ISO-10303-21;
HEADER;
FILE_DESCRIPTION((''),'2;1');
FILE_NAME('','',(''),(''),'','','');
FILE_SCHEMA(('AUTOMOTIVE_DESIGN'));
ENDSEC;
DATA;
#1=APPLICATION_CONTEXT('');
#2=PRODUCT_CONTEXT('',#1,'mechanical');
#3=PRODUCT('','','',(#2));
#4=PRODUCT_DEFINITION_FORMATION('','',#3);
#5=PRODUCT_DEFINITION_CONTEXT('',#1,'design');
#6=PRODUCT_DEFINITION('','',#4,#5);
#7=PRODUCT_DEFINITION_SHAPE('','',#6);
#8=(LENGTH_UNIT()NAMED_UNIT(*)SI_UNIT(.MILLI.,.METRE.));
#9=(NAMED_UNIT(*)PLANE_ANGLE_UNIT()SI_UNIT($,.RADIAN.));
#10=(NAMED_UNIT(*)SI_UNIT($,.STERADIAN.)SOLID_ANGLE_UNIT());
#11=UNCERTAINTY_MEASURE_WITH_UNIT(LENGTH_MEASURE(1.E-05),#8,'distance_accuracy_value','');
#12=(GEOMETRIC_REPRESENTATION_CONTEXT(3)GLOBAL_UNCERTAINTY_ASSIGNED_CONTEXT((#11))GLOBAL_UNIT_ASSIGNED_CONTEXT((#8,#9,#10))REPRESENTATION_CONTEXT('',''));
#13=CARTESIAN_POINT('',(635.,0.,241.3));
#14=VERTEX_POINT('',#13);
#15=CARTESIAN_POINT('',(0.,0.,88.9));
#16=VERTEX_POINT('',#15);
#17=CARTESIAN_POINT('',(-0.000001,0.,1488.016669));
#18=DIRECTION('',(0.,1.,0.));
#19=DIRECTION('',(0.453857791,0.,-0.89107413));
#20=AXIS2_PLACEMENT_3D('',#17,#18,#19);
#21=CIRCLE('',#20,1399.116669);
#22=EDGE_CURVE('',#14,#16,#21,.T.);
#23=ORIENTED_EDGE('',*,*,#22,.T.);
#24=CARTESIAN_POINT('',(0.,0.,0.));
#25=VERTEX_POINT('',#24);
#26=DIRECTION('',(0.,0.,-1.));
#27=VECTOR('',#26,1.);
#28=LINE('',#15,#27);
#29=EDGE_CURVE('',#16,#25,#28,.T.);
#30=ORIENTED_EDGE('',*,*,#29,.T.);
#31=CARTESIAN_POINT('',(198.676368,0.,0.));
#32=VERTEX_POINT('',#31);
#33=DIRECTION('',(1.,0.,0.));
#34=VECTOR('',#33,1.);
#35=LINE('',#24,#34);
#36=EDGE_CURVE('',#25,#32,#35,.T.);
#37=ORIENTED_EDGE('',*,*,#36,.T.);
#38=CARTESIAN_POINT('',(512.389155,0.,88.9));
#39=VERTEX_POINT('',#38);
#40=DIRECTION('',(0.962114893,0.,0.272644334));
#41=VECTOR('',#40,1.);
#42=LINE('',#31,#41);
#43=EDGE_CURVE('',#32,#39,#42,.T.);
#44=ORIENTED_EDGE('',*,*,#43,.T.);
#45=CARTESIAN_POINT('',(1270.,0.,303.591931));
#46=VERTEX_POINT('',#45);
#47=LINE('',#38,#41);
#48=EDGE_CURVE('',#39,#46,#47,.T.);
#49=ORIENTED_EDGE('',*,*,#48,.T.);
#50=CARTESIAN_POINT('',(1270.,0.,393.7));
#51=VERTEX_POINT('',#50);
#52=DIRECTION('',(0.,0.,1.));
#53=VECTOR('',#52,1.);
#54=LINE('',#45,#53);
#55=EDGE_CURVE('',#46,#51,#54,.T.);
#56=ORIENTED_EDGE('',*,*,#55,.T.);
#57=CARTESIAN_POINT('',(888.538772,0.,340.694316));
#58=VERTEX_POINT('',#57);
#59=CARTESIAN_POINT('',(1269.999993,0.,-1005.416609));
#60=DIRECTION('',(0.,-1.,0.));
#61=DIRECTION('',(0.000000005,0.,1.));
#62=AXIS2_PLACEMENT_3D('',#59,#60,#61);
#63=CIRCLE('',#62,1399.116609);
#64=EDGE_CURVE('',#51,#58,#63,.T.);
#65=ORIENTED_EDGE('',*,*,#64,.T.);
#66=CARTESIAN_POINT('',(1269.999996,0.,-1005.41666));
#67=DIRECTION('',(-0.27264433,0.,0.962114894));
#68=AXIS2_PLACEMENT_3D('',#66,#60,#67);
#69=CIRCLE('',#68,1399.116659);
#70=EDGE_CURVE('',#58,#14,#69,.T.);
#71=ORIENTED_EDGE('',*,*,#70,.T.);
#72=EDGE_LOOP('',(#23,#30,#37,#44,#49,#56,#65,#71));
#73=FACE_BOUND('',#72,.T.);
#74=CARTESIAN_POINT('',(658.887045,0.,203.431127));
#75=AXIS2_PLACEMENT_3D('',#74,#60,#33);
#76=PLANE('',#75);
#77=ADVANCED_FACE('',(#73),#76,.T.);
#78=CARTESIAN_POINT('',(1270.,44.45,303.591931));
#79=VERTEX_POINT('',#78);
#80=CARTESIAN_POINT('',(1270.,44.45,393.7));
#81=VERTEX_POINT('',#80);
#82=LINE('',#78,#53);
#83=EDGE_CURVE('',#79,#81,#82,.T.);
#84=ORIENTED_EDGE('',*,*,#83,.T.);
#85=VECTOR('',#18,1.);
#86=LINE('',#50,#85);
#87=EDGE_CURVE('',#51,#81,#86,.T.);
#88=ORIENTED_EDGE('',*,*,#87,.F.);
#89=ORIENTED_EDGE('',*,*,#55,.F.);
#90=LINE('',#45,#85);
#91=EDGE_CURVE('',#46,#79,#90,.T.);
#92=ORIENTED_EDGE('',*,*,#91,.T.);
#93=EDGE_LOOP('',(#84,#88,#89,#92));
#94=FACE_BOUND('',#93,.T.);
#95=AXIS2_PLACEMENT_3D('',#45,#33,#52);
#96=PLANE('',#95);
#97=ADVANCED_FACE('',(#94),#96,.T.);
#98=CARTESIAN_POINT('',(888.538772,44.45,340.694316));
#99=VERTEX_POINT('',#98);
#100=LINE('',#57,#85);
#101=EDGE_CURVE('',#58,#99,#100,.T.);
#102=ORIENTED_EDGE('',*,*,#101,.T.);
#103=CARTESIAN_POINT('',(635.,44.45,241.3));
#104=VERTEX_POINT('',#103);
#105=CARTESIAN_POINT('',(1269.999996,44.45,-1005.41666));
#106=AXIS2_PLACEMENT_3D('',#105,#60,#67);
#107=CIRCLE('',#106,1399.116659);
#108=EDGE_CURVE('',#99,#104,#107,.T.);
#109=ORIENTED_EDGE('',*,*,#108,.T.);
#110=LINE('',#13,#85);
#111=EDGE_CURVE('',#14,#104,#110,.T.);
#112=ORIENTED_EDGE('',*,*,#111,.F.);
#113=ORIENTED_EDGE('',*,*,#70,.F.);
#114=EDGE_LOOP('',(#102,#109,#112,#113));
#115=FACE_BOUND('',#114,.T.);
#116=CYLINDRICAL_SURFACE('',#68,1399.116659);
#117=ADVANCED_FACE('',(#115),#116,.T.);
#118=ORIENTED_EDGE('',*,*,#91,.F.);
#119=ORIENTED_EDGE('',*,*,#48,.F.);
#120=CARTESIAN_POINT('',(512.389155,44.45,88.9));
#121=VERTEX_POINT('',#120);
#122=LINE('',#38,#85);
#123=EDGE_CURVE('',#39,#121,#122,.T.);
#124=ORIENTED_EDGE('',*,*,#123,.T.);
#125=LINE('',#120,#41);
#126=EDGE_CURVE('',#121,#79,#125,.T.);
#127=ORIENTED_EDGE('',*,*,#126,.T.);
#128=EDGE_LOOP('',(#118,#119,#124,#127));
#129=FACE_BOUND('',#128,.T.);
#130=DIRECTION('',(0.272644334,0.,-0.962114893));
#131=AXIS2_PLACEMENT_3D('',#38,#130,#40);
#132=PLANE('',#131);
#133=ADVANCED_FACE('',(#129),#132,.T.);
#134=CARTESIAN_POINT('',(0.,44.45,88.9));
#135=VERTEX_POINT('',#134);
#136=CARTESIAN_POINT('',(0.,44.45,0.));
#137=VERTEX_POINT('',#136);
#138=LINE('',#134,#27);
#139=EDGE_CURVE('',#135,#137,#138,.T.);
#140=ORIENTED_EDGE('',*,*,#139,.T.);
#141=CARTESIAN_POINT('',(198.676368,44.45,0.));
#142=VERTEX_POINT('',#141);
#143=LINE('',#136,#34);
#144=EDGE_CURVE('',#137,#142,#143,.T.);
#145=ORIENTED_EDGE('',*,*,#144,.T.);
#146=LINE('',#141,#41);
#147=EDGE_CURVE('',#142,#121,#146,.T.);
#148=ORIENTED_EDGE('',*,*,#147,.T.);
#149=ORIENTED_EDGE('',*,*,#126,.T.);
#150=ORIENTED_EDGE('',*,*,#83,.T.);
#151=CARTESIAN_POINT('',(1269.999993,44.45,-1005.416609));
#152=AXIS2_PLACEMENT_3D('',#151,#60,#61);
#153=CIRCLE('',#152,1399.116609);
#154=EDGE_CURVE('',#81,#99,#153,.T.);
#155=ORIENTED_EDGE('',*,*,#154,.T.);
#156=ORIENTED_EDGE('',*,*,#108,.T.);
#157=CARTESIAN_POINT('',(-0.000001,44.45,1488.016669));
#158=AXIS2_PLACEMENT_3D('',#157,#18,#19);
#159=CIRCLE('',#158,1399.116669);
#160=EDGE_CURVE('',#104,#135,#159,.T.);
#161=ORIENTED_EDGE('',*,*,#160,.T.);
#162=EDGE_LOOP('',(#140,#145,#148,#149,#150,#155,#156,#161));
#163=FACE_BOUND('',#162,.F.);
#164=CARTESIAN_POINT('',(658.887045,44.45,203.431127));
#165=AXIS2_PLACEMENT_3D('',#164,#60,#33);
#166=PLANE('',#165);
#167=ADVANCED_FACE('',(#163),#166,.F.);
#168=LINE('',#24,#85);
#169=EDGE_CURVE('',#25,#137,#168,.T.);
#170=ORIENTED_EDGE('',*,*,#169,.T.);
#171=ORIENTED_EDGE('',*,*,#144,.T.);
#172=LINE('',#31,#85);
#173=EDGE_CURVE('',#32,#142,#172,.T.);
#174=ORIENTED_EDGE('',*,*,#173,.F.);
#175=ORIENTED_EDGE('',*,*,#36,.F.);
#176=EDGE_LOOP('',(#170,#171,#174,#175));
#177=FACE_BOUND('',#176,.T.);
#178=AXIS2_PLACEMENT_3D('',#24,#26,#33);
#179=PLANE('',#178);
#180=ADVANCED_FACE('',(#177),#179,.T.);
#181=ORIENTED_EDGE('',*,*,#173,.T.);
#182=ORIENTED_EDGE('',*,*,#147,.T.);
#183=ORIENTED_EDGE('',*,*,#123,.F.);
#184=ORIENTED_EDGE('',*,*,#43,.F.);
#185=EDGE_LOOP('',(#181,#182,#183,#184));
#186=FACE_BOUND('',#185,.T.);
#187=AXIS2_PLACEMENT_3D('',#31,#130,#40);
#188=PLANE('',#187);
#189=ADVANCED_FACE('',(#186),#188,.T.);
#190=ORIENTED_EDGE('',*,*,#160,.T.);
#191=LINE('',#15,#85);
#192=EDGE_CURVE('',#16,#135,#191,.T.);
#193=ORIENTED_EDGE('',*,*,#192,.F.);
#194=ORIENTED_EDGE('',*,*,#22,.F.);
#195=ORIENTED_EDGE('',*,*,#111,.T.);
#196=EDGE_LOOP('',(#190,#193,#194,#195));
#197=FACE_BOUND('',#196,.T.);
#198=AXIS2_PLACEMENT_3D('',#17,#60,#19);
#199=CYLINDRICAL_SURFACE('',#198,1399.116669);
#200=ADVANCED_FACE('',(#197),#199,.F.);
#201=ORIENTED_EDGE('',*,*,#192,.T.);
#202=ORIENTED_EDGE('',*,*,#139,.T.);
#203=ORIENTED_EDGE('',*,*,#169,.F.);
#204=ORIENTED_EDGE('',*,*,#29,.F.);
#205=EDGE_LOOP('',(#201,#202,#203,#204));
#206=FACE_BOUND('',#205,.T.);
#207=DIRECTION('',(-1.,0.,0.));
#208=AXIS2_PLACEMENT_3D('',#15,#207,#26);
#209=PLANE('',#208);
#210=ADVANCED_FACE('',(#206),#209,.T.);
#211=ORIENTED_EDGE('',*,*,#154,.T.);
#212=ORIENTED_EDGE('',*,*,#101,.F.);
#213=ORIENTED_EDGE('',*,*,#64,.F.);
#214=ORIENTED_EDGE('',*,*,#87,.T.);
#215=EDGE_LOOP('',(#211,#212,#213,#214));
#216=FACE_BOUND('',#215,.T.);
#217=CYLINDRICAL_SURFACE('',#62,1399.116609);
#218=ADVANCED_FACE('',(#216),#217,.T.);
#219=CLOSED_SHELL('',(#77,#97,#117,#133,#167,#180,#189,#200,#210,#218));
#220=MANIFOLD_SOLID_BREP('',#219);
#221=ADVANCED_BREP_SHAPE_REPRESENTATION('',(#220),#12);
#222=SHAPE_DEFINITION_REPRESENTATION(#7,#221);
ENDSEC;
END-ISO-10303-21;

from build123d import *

# Parameters (mm, degrees)
F1_DEPTH = 44.45


with BuildPart() as f1:
    # F0 (on Front) → F1 (new body)
    with BuildSketch(Plane.XZ):
        with BuildLine():
            ThreePointArc((635, 241.3), (326.515987, 127.533386), (0, 88.9))
            Line((0, 88.9), (512.389155, 88.9))
            Line((512.389155, 88.9), (1270, 303.591931))
            Line((1270, 303.591931), (1270, 393.7))
            ThreePointArc((1270, 393.7), (1077.436847, 380.385224), (888.538772, 340.694316))
            ThreePointArc((888.538772, 340.694316), (759.345357, 297.180463), (635, 241.3))
        make_face()
        Polygon((0, 88.9), (0, 0), (198.676368, 0), (512.389155, 88.9), align=None)
    extrude(amount=-F1_DEPTH)


solid = f1.part
